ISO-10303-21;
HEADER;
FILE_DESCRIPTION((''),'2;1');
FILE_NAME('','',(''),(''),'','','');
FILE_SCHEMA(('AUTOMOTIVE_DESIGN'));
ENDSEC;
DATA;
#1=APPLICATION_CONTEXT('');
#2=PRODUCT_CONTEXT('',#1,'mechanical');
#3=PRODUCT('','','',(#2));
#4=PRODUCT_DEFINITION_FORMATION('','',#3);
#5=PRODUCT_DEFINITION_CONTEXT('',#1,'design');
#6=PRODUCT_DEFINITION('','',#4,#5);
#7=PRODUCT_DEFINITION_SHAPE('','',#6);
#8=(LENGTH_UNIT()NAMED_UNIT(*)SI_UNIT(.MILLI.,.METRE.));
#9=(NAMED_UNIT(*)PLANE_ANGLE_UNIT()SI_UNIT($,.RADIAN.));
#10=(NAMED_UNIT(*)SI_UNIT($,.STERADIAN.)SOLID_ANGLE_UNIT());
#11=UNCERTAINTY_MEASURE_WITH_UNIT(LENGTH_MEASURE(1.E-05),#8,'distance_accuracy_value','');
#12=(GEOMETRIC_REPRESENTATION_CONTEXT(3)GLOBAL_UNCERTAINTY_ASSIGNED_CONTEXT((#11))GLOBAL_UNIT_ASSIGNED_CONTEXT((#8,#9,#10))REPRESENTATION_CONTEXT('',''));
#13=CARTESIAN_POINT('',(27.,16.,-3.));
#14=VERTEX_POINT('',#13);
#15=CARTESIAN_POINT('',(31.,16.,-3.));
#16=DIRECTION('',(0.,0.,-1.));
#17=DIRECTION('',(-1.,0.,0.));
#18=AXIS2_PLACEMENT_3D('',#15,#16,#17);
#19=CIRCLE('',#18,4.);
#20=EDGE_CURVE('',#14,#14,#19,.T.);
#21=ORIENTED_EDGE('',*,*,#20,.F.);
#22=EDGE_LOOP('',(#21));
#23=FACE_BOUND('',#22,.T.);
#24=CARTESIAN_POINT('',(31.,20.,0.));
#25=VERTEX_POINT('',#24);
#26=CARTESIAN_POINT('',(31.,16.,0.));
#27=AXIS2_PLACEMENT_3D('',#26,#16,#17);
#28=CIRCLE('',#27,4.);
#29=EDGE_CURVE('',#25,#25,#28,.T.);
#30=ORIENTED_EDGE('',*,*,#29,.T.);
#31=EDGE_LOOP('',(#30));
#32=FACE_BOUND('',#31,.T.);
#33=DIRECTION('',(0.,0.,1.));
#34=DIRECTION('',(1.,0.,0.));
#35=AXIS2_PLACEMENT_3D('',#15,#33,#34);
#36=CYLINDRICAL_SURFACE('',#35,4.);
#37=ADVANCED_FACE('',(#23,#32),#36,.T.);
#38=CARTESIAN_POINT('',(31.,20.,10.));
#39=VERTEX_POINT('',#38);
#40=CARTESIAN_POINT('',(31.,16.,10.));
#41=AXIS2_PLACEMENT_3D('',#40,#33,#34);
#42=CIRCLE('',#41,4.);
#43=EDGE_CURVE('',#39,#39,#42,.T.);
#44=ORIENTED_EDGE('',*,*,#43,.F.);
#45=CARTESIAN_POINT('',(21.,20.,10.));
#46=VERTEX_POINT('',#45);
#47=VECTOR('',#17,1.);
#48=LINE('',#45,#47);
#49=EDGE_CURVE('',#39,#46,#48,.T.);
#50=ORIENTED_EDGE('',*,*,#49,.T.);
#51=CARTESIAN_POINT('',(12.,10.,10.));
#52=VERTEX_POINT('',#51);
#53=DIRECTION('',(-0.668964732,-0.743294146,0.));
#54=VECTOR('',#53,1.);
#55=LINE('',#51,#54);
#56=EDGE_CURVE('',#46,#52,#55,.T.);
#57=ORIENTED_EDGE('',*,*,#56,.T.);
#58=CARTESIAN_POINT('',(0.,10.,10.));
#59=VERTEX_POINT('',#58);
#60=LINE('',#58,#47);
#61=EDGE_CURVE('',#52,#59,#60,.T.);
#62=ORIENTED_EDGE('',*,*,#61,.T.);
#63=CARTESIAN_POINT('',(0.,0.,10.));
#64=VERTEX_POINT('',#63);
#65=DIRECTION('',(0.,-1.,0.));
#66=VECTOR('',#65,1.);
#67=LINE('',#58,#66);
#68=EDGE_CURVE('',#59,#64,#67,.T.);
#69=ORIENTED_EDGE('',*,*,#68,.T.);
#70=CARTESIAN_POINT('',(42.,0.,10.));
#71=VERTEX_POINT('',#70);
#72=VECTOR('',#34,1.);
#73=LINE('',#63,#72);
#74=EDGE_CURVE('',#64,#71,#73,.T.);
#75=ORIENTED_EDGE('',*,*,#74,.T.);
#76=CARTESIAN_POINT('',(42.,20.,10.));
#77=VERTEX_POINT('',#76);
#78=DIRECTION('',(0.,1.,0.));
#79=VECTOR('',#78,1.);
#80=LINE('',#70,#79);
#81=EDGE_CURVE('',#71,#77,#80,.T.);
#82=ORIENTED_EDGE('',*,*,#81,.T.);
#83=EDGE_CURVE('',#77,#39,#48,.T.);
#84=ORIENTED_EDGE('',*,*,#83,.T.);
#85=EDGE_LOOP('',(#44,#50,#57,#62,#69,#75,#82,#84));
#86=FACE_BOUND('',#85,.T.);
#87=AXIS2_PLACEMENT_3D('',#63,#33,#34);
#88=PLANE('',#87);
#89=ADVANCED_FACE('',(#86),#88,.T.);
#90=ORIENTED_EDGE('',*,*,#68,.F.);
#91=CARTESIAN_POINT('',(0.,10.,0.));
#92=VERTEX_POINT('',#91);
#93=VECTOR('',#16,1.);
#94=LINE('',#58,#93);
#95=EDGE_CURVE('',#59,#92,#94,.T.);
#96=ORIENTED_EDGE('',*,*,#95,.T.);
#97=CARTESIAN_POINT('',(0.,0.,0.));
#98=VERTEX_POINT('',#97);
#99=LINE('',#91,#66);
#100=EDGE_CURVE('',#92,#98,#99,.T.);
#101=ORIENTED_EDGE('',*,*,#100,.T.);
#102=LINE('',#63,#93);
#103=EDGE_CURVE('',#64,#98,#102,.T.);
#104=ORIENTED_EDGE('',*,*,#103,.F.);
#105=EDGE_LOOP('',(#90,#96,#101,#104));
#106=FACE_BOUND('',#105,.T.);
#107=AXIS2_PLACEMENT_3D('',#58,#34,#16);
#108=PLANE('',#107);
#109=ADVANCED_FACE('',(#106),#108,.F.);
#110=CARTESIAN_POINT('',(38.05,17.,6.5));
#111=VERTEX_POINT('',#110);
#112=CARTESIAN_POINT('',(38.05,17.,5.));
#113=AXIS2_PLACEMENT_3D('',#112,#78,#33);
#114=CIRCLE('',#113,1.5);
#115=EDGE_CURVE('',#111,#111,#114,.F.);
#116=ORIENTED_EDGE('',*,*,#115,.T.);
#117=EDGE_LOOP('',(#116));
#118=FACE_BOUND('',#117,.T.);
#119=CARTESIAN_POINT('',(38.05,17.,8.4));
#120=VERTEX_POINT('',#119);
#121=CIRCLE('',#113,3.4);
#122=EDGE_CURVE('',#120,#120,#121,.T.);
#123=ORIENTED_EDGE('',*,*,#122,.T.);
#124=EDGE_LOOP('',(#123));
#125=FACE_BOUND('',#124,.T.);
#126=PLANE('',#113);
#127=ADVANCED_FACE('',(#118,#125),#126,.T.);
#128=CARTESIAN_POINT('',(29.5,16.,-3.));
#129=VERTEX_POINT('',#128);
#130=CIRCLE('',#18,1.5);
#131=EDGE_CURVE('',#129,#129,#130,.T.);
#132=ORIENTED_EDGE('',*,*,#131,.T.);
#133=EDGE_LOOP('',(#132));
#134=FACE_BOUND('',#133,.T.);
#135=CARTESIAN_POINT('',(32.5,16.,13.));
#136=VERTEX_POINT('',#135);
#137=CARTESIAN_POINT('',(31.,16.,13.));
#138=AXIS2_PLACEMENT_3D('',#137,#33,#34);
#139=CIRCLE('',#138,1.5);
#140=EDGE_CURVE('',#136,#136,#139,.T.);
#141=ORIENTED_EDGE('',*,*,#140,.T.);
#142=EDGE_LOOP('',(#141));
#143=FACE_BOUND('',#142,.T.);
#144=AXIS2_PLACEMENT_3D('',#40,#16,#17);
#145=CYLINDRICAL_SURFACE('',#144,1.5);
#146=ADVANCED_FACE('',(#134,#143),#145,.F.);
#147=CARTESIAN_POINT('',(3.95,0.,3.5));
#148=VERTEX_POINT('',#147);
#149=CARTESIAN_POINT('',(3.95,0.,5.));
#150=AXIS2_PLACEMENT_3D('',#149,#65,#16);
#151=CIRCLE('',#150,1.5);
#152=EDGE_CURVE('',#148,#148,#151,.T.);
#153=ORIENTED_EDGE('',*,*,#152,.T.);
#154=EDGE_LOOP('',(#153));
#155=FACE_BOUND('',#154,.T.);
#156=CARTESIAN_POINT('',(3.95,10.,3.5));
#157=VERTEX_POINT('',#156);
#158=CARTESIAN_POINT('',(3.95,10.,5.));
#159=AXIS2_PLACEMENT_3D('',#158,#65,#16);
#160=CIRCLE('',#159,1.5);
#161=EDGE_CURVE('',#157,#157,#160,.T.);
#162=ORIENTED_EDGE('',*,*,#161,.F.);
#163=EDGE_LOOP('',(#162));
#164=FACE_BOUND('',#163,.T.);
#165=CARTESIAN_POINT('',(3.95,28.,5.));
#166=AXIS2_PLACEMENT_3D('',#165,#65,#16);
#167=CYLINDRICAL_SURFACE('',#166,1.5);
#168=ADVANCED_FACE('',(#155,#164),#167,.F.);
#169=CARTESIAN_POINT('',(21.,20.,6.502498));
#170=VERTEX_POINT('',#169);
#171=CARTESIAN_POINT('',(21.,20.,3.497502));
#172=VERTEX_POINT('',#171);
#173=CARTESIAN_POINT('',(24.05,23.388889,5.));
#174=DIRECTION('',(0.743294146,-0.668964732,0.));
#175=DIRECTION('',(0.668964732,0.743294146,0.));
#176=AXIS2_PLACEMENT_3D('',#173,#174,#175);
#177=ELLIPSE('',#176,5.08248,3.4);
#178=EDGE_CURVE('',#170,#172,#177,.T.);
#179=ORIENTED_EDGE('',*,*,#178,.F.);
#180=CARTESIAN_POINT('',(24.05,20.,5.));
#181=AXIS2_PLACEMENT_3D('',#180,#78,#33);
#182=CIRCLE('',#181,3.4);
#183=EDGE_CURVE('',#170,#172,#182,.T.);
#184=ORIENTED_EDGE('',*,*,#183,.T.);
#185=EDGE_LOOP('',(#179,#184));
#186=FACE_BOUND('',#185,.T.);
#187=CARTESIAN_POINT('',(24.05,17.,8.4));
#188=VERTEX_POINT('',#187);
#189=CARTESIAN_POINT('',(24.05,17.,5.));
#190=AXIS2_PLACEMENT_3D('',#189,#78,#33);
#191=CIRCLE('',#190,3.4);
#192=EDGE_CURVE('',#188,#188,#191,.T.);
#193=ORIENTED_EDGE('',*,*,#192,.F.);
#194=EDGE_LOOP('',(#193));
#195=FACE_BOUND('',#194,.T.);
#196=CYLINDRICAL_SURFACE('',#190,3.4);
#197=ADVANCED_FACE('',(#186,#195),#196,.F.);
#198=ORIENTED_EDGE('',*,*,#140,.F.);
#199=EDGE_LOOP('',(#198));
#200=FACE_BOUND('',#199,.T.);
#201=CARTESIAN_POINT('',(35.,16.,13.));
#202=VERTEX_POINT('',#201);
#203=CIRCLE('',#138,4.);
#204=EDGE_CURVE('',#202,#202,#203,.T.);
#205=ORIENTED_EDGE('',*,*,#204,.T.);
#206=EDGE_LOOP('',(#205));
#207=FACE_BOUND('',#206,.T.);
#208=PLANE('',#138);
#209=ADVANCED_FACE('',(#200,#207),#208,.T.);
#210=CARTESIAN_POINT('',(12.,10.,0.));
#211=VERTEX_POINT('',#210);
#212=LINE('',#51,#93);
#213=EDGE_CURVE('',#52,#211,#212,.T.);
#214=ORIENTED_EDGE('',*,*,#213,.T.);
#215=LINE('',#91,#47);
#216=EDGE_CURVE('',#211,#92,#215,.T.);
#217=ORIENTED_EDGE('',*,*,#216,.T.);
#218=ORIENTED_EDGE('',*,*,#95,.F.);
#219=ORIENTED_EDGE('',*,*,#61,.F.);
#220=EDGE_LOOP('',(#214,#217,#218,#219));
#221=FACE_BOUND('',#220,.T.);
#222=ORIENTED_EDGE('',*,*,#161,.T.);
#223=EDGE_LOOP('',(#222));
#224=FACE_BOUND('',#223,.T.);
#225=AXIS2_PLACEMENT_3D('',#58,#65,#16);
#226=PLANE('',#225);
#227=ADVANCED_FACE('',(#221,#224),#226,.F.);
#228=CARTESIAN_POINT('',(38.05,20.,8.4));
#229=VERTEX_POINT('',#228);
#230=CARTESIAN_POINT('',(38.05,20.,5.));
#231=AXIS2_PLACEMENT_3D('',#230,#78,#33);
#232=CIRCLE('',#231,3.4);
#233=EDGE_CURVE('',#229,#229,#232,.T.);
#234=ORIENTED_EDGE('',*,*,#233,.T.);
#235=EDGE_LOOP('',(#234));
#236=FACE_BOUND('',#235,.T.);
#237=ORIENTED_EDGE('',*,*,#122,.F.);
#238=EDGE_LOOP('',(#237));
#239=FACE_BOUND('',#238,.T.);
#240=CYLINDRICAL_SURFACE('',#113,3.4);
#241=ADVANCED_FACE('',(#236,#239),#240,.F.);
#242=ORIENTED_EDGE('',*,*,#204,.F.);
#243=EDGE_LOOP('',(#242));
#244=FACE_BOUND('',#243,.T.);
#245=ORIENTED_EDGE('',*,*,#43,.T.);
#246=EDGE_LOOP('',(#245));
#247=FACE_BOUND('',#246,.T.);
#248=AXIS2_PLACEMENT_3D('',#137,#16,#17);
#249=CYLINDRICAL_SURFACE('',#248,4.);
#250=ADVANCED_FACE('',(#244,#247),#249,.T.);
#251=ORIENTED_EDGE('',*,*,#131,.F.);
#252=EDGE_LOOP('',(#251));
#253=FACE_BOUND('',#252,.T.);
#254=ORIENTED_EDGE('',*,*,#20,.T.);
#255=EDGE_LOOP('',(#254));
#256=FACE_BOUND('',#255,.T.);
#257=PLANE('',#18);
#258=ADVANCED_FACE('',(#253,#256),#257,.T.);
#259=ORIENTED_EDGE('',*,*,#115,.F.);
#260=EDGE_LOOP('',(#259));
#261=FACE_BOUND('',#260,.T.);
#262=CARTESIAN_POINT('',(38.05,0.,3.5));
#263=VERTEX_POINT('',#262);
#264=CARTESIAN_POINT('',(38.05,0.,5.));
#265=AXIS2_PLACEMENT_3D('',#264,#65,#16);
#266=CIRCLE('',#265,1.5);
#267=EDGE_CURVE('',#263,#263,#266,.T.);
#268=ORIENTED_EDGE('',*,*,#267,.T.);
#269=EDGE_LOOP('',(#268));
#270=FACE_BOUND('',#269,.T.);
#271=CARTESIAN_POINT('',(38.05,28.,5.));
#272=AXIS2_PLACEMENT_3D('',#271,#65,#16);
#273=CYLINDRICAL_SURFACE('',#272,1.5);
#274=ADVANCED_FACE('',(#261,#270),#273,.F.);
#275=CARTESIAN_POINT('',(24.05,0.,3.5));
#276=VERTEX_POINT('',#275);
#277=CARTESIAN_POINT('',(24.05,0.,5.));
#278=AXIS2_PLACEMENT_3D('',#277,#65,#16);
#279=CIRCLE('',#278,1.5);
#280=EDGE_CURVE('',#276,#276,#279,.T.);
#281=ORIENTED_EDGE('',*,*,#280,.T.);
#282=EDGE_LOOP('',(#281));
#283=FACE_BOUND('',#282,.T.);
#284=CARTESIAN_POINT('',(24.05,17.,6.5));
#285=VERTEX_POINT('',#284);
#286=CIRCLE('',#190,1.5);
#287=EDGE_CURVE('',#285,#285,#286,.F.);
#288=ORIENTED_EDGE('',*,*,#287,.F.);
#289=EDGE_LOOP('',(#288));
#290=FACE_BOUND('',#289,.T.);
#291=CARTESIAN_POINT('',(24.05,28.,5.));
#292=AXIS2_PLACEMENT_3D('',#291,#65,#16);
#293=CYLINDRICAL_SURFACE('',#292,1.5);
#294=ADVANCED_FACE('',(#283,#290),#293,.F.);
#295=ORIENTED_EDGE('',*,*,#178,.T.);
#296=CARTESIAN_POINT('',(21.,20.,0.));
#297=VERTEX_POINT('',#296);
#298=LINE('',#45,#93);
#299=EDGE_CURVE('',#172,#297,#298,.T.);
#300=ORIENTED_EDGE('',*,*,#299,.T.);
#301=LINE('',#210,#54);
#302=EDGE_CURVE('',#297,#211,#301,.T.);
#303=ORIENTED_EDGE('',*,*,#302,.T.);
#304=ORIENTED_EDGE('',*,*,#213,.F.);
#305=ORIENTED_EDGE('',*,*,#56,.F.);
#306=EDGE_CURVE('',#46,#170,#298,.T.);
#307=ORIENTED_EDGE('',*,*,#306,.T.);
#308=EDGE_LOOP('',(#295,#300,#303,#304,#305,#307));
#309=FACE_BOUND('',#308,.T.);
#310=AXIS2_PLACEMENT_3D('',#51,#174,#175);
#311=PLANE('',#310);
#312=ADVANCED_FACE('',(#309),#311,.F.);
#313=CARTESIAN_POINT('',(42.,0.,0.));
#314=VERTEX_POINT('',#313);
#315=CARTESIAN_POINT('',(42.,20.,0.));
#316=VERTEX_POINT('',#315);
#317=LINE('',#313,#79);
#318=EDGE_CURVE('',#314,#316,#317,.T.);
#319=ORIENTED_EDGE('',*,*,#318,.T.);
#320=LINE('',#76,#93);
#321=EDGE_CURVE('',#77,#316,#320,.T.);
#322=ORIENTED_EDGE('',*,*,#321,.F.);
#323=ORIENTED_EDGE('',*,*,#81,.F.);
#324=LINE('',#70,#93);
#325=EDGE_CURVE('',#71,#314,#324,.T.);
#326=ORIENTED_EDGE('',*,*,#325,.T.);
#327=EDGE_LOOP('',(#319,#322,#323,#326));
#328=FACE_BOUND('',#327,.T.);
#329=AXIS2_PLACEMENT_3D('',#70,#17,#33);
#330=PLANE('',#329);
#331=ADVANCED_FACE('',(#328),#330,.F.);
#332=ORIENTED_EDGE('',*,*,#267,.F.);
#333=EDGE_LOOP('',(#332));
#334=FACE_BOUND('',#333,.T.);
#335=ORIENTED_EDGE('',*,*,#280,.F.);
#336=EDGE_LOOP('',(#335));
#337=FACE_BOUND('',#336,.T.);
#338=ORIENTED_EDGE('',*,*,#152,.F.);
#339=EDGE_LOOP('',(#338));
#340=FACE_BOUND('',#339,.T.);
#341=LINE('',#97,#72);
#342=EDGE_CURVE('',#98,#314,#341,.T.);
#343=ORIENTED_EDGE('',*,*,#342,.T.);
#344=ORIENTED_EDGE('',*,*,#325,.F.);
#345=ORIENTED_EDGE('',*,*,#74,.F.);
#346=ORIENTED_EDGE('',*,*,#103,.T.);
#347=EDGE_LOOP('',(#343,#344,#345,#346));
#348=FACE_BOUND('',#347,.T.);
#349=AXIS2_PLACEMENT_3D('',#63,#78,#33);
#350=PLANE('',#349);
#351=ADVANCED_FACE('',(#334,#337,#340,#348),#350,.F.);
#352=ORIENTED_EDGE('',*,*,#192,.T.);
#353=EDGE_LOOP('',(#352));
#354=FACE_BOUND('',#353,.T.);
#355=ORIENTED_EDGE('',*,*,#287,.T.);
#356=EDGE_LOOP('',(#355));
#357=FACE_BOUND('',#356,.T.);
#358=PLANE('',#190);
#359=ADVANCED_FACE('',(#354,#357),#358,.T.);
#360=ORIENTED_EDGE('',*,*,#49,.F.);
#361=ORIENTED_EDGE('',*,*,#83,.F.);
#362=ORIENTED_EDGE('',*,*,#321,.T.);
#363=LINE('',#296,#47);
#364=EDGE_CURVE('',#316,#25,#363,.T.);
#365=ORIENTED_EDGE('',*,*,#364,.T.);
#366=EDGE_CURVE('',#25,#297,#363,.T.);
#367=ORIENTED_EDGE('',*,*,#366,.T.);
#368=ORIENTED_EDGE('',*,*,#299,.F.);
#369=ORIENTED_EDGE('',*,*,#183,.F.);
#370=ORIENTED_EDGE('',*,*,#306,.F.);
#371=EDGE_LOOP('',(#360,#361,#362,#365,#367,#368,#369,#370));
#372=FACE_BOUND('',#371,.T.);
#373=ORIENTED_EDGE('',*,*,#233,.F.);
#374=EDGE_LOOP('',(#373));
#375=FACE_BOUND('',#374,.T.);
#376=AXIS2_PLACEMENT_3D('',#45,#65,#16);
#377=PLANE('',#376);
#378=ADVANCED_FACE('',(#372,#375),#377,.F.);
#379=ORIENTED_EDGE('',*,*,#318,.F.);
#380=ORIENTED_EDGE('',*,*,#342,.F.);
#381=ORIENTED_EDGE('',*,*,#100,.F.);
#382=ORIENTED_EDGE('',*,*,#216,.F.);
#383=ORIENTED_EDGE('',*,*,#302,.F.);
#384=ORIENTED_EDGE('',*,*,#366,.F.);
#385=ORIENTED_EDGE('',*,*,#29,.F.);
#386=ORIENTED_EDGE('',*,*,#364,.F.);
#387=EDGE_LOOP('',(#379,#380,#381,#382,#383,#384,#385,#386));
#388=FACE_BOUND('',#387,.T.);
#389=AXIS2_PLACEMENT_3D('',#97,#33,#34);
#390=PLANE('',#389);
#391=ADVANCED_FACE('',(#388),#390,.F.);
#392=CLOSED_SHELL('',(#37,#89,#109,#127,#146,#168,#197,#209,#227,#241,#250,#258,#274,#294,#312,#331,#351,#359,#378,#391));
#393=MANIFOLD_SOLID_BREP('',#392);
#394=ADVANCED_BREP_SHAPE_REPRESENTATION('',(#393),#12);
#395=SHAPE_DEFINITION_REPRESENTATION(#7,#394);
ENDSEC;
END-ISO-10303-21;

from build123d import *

# Parameters (mm, degrees)
SKETCH_1_R          = 1.5
EXTRUDE_1_DEPTH     = 10
SKETCH_2_R          = 1.5
CUT_EXTRUDE_1_DEPTH = 28
SKETCH_3_R          = 3.4
CUT_EXTRUDE_2_DEPTH = 3
SKETCH_4_R          = 4
SKETCH_4_R_2        = 1.5
EXTRUDE_2_DEPTH     = 3
EXTRUDE_START       = 3
SKETCH_5_R          = 4
SKETCH_5_R_2        = 1.5
EXTRUDE_3_DEPTH     = 3


with BuildPart() as part:
    # 草图1 → 凸台-拉伸1 (new body)
    with BuildSketch(Plane.XY):
        Polygon((0, 0), (42, 0), (42, 20), (21, 20), (12, 10), (0, 10), align=None)
        with Locations((31, 16)):
            Circle(SKETCH_1_R, mode=Mode.SUBTRACT)
    extrude(amount=EXTRUDE_1_DEPTH)

    # 草图2 → 切除-拉伸1 (cut)
    with BuildSketch(Plane.XZ):
        with Locations(Location((38.05, 5, 0), (0, 0, 270))):
            Circle(SKETCH_2_R)
        with Locations(Location((3.95, 5, 0), (0, 0, 270))):
            Circle(SKETCH_2_R)
        with Locations(Location((24.05, 5, 0), (0, 0, 270))):
            Circle(SKETCH_2_R)
    extrude(amount=-CUT_EXTRUDE_1_DEPTH, mode=Mode.SUBTRACT)

    # 草图3 → 切除-拉伸2 (cut)
    with BuildSketch(Plane(origin=(0, 20, 0), x_dir=(1, 0, 0), z_dir=(0, 1, 0))):
        with Locations(Location((24.05, -5, 0), (0, 0, 270))):
            Circle(SKETCH_3_R)
        with Locations(Location((38.05, -5, 0), (0, 0, 270))):
            Circle(SKETCH_3_R)
    extrude(amount=-CUT_EXTRUDE_2_DEPTH, mode=Mode.SUBTRACT)

    # 草图4 → 凸台-拉伸2 (add)
    with BuildSketch(Plane.XY.offset(10)):
        with Locations(Location((31, 16, 0), (0, 0, 90))):
            Circle(SKETCH_4_R)
        with Locations((31, 16)):
            Circle(SKETCH_4_R_2, mode=Mode.SUBTRACT)
    extrude(amount=EXTRUDE_2_DEPTH)

    # 草图5 → 凸台-拉伸3 (add)
    with BuildSketch(Plane(origin=(0, 0, 0), x_dir=(-1, 0, 0), z_dir=(0, 0, -1)).offset(EXTRUDE_START)):
        with Locations(Location((-31, 16, 0), (0, 0, 90))):
            Circle(SKETCH_5_R)
        with Locations((-31, 16)):
            Circle(SKETCH_5_R_2, mode=Mode.SUBTRACT)
    extrude(amount=-EXTRUDE_3_DEPTH)


solid = part.part
